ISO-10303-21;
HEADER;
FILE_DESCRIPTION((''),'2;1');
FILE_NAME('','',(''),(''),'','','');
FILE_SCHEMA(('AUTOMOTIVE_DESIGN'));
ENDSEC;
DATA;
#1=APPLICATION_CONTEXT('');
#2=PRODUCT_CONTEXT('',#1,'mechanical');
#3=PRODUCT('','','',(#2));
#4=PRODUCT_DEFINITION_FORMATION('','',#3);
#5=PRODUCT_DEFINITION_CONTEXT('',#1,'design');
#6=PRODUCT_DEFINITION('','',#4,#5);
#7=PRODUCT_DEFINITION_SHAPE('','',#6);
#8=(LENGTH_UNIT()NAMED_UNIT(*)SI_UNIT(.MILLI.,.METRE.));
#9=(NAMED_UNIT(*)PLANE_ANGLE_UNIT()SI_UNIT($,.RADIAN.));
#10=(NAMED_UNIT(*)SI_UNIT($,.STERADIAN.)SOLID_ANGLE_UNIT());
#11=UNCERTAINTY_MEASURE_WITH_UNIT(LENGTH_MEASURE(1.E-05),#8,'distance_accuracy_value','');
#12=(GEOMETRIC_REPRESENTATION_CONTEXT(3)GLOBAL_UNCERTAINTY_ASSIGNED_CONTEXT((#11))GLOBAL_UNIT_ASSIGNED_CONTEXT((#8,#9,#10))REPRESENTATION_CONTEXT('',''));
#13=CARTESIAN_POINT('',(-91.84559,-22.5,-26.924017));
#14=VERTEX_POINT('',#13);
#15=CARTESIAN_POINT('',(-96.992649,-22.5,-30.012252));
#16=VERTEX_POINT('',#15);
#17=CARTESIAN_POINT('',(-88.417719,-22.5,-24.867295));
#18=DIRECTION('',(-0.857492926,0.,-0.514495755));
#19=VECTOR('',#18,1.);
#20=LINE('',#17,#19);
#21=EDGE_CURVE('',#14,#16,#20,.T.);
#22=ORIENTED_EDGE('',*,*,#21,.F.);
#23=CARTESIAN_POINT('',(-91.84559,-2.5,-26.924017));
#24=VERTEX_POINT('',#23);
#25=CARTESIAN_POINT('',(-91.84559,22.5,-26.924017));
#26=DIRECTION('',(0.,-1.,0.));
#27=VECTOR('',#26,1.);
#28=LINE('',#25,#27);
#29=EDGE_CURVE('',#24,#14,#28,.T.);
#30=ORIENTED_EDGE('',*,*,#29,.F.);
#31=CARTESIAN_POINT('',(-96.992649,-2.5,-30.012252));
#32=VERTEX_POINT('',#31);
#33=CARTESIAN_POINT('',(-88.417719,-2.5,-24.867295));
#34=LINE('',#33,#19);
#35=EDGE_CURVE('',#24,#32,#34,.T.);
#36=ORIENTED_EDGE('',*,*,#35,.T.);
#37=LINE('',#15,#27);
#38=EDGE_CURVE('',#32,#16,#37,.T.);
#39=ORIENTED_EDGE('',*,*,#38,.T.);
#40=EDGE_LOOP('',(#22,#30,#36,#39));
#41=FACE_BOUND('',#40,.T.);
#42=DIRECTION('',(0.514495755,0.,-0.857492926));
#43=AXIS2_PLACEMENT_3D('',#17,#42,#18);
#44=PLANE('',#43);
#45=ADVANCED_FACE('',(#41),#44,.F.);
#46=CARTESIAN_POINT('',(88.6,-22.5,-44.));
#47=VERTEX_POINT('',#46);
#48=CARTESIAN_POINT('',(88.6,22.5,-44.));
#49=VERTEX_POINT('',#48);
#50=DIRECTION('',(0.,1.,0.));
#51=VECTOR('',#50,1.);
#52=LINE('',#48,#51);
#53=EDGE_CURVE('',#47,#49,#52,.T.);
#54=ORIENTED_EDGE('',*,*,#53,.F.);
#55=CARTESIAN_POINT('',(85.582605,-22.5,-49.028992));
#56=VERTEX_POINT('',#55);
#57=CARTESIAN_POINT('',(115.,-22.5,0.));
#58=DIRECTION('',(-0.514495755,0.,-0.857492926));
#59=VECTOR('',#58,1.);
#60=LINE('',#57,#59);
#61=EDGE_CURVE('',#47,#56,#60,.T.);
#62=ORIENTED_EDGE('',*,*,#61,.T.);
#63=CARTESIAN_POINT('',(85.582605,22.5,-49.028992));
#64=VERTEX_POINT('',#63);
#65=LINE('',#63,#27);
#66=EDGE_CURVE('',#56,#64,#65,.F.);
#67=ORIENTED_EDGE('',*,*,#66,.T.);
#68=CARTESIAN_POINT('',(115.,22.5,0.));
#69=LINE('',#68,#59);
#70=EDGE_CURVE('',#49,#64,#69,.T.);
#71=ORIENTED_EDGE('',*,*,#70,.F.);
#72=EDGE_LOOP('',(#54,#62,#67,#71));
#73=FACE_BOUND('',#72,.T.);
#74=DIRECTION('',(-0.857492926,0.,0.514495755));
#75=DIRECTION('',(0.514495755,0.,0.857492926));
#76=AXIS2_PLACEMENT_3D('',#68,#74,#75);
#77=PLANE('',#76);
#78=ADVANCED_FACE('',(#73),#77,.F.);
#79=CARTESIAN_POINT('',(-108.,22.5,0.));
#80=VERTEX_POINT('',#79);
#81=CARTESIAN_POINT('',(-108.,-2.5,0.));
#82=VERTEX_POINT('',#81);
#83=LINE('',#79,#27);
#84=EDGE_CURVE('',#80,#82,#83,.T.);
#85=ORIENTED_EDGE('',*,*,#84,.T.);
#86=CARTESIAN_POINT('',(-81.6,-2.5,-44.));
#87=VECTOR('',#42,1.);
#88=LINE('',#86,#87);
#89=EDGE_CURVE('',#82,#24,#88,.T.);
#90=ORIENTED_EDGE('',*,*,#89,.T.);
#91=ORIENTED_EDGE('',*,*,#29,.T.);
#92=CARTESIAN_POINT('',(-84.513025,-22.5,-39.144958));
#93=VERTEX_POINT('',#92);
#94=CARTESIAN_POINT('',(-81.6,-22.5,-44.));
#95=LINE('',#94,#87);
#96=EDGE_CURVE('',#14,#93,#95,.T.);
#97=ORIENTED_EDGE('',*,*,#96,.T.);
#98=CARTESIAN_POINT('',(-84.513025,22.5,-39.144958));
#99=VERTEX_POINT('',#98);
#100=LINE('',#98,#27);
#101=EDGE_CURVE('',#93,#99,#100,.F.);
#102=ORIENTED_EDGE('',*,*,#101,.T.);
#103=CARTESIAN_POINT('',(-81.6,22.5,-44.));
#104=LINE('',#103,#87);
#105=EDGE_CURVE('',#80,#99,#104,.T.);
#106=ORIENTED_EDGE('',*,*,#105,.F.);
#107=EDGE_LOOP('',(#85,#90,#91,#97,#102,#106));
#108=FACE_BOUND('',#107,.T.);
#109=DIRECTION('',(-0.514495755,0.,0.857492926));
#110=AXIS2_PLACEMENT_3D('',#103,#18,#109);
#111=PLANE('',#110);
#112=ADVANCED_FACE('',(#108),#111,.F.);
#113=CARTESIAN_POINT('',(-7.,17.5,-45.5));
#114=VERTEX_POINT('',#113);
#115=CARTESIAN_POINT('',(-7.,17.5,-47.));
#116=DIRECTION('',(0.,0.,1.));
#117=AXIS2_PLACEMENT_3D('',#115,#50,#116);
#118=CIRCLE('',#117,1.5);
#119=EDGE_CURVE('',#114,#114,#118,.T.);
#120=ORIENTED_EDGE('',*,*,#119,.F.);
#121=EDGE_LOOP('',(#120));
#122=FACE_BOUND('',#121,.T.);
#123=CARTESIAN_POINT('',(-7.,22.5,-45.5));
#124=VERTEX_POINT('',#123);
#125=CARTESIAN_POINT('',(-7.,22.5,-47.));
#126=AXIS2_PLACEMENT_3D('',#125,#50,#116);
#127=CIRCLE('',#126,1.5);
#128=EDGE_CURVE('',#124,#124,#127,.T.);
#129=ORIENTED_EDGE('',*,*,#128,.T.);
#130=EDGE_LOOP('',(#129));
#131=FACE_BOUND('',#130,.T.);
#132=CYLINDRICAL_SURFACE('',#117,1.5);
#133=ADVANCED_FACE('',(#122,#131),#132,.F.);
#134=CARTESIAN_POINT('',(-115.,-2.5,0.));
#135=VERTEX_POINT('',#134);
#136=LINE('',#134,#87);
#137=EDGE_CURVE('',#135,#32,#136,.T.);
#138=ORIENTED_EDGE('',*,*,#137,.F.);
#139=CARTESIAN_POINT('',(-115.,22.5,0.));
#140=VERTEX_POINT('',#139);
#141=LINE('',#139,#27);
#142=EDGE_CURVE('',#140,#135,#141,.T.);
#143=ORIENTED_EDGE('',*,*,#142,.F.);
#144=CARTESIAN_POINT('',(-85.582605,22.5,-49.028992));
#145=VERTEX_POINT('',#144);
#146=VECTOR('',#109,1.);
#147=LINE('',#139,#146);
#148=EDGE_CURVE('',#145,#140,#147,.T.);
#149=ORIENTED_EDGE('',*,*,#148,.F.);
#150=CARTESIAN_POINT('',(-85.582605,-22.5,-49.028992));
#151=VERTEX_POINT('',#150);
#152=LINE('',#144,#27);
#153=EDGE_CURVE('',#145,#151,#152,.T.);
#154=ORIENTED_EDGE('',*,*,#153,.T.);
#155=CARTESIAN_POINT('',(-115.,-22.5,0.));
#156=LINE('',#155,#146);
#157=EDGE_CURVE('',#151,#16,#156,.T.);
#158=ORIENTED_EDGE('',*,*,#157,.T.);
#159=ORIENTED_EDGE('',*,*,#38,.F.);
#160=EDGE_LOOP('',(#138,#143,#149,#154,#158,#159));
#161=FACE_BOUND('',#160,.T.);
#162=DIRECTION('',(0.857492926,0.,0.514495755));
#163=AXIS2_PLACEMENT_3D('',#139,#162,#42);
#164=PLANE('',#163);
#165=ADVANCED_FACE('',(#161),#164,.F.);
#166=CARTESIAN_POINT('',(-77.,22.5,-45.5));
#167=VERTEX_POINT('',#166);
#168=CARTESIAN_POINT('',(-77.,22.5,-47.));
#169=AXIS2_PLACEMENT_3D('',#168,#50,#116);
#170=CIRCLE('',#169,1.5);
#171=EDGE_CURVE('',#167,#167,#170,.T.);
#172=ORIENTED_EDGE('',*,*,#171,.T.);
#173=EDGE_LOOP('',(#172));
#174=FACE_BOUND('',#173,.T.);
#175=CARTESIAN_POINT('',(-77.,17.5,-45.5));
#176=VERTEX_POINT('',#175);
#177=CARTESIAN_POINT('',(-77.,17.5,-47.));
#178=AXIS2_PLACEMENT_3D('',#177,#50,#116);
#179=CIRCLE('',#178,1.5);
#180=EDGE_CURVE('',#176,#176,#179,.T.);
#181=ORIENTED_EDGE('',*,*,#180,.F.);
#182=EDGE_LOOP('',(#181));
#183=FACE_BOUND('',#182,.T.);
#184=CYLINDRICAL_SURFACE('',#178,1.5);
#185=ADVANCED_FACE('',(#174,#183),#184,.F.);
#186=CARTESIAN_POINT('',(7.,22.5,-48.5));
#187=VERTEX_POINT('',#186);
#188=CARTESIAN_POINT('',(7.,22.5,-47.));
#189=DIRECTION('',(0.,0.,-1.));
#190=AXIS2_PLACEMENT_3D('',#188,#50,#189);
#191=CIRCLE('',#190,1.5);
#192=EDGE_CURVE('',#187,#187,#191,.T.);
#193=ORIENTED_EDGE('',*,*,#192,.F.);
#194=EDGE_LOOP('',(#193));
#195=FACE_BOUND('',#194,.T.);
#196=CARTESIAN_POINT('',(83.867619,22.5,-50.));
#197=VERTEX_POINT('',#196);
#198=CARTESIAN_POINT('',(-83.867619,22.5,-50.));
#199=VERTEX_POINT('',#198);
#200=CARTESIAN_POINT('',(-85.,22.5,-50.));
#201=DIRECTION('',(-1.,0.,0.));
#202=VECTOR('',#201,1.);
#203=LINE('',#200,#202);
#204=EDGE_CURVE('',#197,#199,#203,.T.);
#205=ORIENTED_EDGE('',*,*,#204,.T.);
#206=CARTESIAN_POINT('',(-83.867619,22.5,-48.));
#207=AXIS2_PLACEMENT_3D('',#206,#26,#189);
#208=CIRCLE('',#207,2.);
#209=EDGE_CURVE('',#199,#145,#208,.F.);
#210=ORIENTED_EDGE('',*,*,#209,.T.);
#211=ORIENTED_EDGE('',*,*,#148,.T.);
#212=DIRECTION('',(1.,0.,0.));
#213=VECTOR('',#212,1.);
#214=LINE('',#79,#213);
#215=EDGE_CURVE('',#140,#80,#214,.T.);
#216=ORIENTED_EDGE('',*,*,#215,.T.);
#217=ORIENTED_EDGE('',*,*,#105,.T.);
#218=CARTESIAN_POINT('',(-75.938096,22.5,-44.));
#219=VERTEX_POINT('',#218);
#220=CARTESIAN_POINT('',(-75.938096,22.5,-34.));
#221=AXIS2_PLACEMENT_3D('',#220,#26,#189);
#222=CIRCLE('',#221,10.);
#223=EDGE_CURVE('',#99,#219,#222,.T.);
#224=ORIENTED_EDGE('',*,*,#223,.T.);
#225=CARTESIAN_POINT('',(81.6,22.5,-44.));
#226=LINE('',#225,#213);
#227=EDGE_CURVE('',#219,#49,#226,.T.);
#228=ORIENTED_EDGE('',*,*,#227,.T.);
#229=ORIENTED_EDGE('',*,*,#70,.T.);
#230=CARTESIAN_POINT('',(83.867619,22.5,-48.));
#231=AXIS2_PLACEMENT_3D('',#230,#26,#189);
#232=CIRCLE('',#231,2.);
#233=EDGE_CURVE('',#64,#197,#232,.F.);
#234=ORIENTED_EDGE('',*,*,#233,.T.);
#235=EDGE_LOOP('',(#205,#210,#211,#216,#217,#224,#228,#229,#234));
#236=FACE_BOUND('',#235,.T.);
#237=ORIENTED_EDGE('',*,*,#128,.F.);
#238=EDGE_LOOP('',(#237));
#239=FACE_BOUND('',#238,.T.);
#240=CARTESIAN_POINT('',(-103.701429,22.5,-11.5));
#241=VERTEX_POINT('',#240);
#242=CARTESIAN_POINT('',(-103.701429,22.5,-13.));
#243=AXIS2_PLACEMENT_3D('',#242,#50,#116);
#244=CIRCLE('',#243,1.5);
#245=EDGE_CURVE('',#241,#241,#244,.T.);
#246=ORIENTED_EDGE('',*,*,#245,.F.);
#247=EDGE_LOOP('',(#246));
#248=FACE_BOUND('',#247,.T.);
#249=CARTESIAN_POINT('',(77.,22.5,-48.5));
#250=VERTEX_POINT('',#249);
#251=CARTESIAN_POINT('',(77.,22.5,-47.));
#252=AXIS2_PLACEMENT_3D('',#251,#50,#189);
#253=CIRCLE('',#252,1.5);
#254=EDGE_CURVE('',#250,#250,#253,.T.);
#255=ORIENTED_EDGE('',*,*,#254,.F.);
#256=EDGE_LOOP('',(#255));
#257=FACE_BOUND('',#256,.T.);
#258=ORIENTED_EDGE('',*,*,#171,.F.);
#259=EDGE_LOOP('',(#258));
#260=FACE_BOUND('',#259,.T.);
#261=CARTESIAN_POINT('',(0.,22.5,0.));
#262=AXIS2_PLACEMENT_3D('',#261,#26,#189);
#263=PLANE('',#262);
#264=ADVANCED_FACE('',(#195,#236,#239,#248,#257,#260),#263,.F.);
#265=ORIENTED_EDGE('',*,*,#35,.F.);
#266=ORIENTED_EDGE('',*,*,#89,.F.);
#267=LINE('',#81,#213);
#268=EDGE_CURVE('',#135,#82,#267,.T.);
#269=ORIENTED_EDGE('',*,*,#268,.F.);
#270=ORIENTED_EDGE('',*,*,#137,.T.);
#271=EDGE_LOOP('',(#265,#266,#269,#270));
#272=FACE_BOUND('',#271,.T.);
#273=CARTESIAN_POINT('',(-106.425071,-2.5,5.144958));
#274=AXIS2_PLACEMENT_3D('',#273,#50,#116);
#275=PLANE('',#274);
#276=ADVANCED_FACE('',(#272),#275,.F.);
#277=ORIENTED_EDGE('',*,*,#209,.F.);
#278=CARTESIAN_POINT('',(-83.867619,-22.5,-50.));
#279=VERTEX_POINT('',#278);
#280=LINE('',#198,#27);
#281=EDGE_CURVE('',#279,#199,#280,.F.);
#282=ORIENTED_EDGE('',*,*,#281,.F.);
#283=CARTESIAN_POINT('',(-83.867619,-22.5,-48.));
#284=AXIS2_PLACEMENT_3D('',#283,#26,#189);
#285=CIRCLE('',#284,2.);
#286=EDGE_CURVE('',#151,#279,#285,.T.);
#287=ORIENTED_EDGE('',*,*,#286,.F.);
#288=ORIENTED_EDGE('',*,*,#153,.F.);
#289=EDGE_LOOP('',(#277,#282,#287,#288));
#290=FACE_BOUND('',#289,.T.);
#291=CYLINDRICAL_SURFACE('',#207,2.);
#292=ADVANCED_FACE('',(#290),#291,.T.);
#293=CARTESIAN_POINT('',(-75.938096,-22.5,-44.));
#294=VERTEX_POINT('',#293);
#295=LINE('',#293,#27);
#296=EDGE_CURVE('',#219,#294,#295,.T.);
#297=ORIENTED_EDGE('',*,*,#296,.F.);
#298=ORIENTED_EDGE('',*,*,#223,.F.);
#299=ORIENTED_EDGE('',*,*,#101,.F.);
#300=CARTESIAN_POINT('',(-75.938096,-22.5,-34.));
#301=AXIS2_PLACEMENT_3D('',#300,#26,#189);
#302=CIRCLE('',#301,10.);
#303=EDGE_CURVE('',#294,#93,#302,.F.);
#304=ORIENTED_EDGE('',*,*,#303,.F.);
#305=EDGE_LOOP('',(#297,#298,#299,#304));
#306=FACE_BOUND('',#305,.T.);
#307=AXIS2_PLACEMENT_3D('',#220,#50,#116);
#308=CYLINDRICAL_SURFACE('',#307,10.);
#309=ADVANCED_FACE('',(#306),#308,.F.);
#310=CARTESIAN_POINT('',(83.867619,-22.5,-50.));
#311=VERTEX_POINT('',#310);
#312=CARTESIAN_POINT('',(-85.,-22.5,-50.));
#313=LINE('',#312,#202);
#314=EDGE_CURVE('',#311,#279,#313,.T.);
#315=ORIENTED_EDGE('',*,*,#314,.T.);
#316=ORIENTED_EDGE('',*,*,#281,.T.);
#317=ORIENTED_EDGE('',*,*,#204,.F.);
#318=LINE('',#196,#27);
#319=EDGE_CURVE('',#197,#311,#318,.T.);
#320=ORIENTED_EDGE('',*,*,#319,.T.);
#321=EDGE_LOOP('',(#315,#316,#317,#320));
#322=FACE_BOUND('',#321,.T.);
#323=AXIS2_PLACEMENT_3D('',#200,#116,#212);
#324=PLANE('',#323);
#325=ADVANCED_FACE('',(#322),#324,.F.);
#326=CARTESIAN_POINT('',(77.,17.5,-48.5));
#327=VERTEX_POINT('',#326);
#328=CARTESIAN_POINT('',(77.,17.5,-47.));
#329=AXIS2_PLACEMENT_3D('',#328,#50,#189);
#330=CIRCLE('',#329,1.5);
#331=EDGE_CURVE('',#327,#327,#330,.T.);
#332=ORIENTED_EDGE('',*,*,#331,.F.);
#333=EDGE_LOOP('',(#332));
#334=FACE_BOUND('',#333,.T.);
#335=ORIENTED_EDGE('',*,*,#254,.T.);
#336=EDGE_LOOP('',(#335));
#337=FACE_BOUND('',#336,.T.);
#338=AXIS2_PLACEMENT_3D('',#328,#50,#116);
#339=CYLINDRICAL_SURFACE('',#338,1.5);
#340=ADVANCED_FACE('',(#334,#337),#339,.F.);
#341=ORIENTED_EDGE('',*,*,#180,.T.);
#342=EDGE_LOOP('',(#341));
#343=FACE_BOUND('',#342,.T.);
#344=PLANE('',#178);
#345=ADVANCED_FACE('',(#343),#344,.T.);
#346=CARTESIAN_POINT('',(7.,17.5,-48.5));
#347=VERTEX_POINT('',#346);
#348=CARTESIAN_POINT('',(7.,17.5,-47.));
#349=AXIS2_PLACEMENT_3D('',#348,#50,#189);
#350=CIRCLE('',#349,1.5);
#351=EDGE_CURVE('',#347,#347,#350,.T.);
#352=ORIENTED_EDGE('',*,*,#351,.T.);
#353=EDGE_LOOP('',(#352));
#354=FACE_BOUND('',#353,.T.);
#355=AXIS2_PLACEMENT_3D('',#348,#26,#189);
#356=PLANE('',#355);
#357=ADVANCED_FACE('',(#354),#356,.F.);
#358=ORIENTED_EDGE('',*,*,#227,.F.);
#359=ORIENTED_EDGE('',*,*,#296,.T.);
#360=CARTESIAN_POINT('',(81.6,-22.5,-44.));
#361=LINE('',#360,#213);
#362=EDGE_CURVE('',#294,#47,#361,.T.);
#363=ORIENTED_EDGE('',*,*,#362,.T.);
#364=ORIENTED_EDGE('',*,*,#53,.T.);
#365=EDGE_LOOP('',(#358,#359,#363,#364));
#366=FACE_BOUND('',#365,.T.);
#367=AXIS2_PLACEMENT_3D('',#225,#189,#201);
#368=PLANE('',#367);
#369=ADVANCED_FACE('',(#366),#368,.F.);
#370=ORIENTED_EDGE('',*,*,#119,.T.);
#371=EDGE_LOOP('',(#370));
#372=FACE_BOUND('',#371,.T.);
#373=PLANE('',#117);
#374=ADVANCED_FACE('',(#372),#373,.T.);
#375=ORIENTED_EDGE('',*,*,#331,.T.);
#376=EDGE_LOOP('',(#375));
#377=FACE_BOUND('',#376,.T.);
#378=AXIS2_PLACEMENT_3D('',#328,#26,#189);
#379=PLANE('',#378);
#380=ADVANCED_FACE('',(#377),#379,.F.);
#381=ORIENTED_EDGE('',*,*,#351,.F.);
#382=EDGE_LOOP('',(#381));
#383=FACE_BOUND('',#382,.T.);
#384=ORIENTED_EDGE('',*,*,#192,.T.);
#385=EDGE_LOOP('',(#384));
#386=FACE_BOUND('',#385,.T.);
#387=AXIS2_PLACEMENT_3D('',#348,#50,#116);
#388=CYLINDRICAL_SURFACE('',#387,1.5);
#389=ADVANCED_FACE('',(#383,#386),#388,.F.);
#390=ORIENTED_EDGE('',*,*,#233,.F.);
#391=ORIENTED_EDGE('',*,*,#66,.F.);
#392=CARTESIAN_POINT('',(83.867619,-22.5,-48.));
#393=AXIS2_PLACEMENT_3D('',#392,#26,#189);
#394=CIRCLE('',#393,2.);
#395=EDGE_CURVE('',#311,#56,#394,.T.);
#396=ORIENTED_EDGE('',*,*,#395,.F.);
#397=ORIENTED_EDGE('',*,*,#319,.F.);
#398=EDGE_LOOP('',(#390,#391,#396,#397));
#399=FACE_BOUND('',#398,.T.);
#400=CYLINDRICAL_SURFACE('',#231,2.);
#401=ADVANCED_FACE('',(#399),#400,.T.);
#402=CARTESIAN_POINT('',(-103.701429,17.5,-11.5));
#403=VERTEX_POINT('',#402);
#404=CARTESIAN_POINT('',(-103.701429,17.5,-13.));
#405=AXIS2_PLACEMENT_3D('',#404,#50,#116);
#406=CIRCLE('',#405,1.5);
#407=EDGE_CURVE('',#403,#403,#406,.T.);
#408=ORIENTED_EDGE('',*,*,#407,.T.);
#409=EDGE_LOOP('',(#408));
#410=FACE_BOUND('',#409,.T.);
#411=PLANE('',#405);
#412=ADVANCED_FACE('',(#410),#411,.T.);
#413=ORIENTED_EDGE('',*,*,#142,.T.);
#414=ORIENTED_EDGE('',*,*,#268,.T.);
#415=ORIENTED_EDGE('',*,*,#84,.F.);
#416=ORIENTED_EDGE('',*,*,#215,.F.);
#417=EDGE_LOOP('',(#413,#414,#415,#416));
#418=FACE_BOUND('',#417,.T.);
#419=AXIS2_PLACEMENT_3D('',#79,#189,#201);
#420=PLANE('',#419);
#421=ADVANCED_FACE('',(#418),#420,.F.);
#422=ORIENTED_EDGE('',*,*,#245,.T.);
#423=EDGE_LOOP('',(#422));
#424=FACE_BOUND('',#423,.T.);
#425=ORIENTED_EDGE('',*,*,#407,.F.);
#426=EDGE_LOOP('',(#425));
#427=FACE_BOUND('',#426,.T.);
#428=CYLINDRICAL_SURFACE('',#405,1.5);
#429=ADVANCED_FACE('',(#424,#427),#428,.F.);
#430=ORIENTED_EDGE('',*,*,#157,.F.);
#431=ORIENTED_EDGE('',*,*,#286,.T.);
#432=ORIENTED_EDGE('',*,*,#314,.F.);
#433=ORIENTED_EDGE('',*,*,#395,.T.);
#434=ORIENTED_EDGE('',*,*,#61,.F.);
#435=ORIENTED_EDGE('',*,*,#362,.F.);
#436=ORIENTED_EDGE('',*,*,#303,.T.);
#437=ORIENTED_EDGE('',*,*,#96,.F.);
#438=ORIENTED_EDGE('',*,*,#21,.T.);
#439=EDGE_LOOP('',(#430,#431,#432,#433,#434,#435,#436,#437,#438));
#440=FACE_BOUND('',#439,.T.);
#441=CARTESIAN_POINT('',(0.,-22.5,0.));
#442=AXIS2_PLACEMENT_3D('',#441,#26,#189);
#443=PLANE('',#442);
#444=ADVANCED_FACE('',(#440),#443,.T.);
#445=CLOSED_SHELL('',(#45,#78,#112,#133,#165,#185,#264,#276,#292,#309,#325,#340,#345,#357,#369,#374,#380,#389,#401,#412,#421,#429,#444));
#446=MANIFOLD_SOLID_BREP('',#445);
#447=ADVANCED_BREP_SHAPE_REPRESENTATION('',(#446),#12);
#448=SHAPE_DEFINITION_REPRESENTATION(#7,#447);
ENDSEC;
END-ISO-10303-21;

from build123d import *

# Parameters (mm, degrees)
BOSS_EXTRUDE1_DEPTH = 22.5
SKETCH2_R           = 1.5
CUT_EXTRUDE1_DEPTH  = 5
FILLET1_R           = 2
SKETCH3_W           = 35
SKETCH3_H           = 20
CUT_EXTRUDE2_DEPTH  = 10
SKETCH6_W           = 44
SKETCH6_H           = 45
CUT_EXTRUDE3_DEPTH  = 128.401923062
FILLET2_R           = 10


with BuildPart() as part:
    # Sketch1 → Boss-Extrude1 (new, symmetric)
    with BuildSketch(Plane(origin=(0, 0, 0), x_dir=(1, 0, 0), z_dir=(0, 1, 0))):
        Polygon((-115, 0), (-85, 50), (85, 50), (115, 0), (108, 0), (81.6, 44), (-81.6, 44), (-108, 0), align=None)
    extrude(amount=BOSS_EXTRUDE1_DEPTH, both=True)

    # Sketch2 → Cut-Extrude1 (cut)
    with BuildSketch(Plane(origin=(0, 22.5, 0), x_dir=(1, 0, 0), z_dir=(0, 1, 0))):
        with Locations(Location((-103.701428863, 13, 0), (0, 0, 270))):
            Circle(SKETCH2_R)
        with Locations(Location((-77, 47, 0), (0, 0, 270))):
            Circle(SKETCH2_R)
        with Locations(Location((-7, 47, 0), (0, 0, 270))):
            Circle(SKETCH2_R)
        with Locations(Location((7, 47, 0), (0, 0, 90))):
            Circle(SKETCH2_R)
        with Locations(Location((77, 47, 0), (0, 0, 90))):
            Circle(SKETCH2_R)
        with Locations(Location((103.701428863, 13, 0), (0, 0, 90))):
            Circle(SKETCH2_R)
    extrude(amount=-CUT_EXTRUDE1_DEPTH, mode=Mode.SUBTRACT)

    # Fillet1
    fillet1_edges = [part.edges().sort_by_distance(p)[0] for p in [
        (-85, 0, -50),
        (85, 0, -50),
    ]]
    fillet(fillet1_edges, radius=FILLET1_R)

    # Sketch3 → Cut-Extrude2 (cut)
    with BuildSketch(Plane(origin=(-84.558823529, 0, -50.735294118), x_dir=(-0.5144957554275263, 0, 0.8574929257125444), z_dir=(-0.8574929257125444, 0, -0.5144957554275263))):
        with Locations((41.667011874, -12.5)):
            Rectangle(SKETCH3_W, SKETCH3_H)
    extrude(amount=-CUT_EXTRUDE2_DEPTH, mode=Mode.SUBTRACT)

    # Sketch6 → Cut-Extrude3 (cut, through all)
    with BuildSketch(Plane(origin=(0, 0, 0), x_dir=(0, 0, -1), z_dir=(1, 0, 0))):
        with Locations((22, 0)):
            Rectangle(SKETCH6_W, SKETCH6_H)
    extrude(amount=CUT_EXTRUDE3_DEPTH, mode=Mode.SUBTRACT)

    # Fillet2
    fillet2_edges = [part.edges().sort_by_distance(p)[0] for p in [
        (-81.6, 0, -44),
    ]]
    fillet(fillet2_edges, radius=FILLET2_R)


solid = part.part
